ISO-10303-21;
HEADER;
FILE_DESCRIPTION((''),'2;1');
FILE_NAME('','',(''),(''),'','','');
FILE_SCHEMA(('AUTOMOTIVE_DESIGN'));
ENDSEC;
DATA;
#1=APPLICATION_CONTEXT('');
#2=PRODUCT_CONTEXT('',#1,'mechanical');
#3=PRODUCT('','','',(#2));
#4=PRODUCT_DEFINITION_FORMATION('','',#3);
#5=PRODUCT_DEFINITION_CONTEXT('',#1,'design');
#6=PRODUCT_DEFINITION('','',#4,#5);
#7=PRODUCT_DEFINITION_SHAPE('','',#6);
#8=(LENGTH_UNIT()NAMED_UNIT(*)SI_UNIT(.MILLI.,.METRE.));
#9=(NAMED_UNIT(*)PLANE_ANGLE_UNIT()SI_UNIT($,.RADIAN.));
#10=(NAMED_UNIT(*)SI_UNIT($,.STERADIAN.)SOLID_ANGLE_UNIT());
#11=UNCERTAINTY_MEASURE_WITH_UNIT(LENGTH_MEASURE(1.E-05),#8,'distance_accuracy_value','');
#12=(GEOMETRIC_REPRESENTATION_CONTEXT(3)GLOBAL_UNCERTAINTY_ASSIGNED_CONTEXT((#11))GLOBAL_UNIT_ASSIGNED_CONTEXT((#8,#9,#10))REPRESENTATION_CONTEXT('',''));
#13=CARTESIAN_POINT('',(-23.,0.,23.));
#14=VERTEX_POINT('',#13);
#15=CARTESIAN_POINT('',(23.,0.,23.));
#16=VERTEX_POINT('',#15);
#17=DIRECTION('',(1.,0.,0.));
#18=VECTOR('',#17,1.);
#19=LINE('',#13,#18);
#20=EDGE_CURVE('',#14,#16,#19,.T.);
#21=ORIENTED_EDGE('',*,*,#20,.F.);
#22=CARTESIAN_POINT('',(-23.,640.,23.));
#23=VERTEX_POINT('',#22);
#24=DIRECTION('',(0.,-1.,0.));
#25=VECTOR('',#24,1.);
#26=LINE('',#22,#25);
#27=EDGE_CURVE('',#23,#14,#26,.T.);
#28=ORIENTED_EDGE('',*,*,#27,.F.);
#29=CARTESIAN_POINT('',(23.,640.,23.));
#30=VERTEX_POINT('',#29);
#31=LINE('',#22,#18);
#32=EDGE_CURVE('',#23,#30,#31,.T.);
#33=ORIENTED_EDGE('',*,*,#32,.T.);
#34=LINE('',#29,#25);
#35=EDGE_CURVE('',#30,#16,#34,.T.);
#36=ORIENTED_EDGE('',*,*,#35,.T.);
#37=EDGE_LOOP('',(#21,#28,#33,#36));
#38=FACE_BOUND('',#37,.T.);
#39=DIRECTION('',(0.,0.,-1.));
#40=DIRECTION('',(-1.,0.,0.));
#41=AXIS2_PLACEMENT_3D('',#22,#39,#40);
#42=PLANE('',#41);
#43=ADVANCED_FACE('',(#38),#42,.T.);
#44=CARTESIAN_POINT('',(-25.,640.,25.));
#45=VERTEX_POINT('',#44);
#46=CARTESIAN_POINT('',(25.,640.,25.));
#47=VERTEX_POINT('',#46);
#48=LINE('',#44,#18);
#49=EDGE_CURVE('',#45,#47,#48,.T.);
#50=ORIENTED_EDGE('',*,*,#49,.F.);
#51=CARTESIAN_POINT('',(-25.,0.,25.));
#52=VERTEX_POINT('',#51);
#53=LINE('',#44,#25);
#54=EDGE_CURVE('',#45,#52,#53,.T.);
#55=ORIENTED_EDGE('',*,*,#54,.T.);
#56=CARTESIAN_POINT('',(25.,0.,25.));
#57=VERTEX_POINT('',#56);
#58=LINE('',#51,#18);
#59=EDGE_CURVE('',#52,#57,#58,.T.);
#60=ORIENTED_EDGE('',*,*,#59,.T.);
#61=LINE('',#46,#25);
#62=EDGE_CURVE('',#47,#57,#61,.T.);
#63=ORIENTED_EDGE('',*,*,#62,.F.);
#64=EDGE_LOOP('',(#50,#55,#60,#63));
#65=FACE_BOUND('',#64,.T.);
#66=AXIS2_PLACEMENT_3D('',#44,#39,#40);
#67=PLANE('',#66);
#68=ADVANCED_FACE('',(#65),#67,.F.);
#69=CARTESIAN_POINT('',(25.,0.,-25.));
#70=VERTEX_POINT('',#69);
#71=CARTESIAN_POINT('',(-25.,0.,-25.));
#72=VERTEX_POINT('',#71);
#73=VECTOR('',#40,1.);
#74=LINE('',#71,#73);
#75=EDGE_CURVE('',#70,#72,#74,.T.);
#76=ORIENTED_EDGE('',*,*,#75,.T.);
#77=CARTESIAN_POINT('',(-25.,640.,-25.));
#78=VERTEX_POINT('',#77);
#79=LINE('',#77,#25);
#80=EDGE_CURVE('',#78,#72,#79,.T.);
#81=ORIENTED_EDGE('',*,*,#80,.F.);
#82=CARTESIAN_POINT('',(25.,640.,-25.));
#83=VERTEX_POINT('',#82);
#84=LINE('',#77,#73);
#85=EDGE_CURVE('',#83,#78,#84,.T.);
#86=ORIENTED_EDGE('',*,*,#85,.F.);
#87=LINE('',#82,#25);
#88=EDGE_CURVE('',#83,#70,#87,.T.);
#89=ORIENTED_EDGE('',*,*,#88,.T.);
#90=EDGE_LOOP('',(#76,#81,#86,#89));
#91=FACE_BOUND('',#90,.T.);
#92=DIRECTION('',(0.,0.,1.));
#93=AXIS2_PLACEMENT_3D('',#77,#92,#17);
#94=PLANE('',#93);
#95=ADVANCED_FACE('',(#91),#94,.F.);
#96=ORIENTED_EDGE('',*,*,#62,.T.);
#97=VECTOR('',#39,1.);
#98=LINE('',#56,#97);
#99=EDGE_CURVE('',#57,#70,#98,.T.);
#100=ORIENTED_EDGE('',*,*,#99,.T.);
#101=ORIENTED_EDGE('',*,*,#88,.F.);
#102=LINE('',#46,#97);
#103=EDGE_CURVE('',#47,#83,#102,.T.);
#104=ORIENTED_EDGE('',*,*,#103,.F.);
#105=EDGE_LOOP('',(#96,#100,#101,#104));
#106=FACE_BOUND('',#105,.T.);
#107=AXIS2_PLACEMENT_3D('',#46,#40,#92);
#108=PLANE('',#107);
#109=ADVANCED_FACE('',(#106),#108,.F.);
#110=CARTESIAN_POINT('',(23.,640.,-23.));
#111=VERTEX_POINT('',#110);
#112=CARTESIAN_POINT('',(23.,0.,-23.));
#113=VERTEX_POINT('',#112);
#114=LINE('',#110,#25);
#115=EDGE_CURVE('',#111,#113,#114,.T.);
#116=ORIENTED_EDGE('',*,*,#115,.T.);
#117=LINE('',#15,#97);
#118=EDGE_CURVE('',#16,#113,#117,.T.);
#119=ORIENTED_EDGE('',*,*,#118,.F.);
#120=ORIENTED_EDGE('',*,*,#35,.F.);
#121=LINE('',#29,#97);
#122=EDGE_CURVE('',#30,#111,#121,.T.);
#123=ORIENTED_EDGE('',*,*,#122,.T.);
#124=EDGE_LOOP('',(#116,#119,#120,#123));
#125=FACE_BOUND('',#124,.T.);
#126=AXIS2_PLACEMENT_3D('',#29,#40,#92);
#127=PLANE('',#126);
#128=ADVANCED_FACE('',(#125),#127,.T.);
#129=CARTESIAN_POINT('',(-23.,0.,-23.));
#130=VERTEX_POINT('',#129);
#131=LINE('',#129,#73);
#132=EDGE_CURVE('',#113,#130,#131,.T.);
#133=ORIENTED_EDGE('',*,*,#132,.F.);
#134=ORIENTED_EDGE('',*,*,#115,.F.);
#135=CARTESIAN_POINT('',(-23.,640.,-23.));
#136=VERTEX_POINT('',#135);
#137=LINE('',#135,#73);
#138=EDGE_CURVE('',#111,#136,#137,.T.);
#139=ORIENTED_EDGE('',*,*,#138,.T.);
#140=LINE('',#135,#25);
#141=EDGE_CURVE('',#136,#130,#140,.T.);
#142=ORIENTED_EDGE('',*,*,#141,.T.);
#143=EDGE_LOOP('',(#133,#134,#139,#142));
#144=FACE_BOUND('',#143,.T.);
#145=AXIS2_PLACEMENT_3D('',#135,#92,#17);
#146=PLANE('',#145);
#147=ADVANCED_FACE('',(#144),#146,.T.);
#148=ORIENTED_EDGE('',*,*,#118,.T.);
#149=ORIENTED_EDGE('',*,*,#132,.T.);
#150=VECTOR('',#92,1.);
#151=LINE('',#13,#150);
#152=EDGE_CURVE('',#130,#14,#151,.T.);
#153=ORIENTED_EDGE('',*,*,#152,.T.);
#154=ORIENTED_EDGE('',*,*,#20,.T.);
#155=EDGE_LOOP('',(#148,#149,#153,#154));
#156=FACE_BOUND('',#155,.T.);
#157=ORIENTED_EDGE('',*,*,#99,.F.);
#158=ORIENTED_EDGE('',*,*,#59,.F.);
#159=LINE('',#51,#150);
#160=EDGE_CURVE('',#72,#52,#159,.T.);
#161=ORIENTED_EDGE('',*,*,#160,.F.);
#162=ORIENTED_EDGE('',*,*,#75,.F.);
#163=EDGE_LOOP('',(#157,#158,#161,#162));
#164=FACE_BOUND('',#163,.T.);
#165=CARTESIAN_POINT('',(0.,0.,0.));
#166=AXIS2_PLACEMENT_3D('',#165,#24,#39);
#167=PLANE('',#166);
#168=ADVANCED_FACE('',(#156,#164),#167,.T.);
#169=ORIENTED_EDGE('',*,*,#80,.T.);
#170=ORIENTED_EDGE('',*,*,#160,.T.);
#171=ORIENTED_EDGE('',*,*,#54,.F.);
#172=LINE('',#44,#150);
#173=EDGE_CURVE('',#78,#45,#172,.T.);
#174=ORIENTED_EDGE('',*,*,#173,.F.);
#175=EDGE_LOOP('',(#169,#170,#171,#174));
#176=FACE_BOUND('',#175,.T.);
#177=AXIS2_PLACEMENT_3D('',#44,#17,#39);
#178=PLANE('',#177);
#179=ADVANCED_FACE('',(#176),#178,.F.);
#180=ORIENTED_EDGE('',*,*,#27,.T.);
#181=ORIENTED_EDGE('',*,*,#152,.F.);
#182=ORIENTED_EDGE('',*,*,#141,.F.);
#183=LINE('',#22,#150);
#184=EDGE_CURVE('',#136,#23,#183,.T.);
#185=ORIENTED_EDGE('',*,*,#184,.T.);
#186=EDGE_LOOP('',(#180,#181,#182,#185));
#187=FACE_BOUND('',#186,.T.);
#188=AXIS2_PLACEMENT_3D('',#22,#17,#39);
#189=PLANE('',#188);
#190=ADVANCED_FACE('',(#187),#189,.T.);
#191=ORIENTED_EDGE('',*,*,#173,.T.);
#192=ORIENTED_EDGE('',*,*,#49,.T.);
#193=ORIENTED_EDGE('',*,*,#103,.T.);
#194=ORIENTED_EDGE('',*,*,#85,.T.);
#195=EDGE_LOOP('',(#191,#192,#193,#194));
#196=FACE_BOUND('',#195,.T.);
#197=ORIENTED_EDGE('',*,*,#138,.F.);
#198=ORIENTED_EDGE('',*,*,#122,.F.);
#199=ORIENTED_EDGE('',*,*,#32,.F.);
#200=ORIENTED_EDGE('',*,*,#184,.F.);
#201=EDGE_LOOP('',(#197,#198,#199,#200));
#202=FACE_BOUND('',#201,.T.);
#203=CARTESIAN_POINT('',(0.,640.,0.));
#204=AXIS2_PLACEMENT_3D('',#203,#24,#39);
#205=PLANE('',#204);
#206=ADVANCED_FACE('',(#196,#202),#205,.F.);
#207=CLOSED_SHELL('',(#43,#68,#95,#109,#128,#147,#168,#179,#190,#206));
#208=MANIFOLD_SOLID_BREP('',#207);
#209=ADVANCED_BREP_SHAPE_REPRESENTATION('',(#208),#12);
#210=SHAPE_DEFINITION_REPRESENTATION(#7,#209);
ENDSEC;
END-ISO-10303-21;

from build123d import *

# Parameters (mm, degrees)
SKETCH1_W           = 50
SKETCH1_H           = 50
SKETCH1_W_2         = 46
SKETCH1_H_2         = 46
BOSS_EXTRUDE1_DEPTH = 640


with BuildPart() as part:
    # Sketch1 → Boss-Extrude1 (new body)
    with BuildSketch(Plane(origin=(0, 0, 0), x_dir=(1, 0, 0), z_dir=(0, 1, 0))):
        Rectangle(SKETCH1_W, SKETCH1_H)
        Rectangle(SKETCH1_W_2, SKETCH1_H_2, mode=Mode.SUBTRACT)
    extrude(amount=BOSS_EXTRUDE1_DEPTH)


solid = part.part
